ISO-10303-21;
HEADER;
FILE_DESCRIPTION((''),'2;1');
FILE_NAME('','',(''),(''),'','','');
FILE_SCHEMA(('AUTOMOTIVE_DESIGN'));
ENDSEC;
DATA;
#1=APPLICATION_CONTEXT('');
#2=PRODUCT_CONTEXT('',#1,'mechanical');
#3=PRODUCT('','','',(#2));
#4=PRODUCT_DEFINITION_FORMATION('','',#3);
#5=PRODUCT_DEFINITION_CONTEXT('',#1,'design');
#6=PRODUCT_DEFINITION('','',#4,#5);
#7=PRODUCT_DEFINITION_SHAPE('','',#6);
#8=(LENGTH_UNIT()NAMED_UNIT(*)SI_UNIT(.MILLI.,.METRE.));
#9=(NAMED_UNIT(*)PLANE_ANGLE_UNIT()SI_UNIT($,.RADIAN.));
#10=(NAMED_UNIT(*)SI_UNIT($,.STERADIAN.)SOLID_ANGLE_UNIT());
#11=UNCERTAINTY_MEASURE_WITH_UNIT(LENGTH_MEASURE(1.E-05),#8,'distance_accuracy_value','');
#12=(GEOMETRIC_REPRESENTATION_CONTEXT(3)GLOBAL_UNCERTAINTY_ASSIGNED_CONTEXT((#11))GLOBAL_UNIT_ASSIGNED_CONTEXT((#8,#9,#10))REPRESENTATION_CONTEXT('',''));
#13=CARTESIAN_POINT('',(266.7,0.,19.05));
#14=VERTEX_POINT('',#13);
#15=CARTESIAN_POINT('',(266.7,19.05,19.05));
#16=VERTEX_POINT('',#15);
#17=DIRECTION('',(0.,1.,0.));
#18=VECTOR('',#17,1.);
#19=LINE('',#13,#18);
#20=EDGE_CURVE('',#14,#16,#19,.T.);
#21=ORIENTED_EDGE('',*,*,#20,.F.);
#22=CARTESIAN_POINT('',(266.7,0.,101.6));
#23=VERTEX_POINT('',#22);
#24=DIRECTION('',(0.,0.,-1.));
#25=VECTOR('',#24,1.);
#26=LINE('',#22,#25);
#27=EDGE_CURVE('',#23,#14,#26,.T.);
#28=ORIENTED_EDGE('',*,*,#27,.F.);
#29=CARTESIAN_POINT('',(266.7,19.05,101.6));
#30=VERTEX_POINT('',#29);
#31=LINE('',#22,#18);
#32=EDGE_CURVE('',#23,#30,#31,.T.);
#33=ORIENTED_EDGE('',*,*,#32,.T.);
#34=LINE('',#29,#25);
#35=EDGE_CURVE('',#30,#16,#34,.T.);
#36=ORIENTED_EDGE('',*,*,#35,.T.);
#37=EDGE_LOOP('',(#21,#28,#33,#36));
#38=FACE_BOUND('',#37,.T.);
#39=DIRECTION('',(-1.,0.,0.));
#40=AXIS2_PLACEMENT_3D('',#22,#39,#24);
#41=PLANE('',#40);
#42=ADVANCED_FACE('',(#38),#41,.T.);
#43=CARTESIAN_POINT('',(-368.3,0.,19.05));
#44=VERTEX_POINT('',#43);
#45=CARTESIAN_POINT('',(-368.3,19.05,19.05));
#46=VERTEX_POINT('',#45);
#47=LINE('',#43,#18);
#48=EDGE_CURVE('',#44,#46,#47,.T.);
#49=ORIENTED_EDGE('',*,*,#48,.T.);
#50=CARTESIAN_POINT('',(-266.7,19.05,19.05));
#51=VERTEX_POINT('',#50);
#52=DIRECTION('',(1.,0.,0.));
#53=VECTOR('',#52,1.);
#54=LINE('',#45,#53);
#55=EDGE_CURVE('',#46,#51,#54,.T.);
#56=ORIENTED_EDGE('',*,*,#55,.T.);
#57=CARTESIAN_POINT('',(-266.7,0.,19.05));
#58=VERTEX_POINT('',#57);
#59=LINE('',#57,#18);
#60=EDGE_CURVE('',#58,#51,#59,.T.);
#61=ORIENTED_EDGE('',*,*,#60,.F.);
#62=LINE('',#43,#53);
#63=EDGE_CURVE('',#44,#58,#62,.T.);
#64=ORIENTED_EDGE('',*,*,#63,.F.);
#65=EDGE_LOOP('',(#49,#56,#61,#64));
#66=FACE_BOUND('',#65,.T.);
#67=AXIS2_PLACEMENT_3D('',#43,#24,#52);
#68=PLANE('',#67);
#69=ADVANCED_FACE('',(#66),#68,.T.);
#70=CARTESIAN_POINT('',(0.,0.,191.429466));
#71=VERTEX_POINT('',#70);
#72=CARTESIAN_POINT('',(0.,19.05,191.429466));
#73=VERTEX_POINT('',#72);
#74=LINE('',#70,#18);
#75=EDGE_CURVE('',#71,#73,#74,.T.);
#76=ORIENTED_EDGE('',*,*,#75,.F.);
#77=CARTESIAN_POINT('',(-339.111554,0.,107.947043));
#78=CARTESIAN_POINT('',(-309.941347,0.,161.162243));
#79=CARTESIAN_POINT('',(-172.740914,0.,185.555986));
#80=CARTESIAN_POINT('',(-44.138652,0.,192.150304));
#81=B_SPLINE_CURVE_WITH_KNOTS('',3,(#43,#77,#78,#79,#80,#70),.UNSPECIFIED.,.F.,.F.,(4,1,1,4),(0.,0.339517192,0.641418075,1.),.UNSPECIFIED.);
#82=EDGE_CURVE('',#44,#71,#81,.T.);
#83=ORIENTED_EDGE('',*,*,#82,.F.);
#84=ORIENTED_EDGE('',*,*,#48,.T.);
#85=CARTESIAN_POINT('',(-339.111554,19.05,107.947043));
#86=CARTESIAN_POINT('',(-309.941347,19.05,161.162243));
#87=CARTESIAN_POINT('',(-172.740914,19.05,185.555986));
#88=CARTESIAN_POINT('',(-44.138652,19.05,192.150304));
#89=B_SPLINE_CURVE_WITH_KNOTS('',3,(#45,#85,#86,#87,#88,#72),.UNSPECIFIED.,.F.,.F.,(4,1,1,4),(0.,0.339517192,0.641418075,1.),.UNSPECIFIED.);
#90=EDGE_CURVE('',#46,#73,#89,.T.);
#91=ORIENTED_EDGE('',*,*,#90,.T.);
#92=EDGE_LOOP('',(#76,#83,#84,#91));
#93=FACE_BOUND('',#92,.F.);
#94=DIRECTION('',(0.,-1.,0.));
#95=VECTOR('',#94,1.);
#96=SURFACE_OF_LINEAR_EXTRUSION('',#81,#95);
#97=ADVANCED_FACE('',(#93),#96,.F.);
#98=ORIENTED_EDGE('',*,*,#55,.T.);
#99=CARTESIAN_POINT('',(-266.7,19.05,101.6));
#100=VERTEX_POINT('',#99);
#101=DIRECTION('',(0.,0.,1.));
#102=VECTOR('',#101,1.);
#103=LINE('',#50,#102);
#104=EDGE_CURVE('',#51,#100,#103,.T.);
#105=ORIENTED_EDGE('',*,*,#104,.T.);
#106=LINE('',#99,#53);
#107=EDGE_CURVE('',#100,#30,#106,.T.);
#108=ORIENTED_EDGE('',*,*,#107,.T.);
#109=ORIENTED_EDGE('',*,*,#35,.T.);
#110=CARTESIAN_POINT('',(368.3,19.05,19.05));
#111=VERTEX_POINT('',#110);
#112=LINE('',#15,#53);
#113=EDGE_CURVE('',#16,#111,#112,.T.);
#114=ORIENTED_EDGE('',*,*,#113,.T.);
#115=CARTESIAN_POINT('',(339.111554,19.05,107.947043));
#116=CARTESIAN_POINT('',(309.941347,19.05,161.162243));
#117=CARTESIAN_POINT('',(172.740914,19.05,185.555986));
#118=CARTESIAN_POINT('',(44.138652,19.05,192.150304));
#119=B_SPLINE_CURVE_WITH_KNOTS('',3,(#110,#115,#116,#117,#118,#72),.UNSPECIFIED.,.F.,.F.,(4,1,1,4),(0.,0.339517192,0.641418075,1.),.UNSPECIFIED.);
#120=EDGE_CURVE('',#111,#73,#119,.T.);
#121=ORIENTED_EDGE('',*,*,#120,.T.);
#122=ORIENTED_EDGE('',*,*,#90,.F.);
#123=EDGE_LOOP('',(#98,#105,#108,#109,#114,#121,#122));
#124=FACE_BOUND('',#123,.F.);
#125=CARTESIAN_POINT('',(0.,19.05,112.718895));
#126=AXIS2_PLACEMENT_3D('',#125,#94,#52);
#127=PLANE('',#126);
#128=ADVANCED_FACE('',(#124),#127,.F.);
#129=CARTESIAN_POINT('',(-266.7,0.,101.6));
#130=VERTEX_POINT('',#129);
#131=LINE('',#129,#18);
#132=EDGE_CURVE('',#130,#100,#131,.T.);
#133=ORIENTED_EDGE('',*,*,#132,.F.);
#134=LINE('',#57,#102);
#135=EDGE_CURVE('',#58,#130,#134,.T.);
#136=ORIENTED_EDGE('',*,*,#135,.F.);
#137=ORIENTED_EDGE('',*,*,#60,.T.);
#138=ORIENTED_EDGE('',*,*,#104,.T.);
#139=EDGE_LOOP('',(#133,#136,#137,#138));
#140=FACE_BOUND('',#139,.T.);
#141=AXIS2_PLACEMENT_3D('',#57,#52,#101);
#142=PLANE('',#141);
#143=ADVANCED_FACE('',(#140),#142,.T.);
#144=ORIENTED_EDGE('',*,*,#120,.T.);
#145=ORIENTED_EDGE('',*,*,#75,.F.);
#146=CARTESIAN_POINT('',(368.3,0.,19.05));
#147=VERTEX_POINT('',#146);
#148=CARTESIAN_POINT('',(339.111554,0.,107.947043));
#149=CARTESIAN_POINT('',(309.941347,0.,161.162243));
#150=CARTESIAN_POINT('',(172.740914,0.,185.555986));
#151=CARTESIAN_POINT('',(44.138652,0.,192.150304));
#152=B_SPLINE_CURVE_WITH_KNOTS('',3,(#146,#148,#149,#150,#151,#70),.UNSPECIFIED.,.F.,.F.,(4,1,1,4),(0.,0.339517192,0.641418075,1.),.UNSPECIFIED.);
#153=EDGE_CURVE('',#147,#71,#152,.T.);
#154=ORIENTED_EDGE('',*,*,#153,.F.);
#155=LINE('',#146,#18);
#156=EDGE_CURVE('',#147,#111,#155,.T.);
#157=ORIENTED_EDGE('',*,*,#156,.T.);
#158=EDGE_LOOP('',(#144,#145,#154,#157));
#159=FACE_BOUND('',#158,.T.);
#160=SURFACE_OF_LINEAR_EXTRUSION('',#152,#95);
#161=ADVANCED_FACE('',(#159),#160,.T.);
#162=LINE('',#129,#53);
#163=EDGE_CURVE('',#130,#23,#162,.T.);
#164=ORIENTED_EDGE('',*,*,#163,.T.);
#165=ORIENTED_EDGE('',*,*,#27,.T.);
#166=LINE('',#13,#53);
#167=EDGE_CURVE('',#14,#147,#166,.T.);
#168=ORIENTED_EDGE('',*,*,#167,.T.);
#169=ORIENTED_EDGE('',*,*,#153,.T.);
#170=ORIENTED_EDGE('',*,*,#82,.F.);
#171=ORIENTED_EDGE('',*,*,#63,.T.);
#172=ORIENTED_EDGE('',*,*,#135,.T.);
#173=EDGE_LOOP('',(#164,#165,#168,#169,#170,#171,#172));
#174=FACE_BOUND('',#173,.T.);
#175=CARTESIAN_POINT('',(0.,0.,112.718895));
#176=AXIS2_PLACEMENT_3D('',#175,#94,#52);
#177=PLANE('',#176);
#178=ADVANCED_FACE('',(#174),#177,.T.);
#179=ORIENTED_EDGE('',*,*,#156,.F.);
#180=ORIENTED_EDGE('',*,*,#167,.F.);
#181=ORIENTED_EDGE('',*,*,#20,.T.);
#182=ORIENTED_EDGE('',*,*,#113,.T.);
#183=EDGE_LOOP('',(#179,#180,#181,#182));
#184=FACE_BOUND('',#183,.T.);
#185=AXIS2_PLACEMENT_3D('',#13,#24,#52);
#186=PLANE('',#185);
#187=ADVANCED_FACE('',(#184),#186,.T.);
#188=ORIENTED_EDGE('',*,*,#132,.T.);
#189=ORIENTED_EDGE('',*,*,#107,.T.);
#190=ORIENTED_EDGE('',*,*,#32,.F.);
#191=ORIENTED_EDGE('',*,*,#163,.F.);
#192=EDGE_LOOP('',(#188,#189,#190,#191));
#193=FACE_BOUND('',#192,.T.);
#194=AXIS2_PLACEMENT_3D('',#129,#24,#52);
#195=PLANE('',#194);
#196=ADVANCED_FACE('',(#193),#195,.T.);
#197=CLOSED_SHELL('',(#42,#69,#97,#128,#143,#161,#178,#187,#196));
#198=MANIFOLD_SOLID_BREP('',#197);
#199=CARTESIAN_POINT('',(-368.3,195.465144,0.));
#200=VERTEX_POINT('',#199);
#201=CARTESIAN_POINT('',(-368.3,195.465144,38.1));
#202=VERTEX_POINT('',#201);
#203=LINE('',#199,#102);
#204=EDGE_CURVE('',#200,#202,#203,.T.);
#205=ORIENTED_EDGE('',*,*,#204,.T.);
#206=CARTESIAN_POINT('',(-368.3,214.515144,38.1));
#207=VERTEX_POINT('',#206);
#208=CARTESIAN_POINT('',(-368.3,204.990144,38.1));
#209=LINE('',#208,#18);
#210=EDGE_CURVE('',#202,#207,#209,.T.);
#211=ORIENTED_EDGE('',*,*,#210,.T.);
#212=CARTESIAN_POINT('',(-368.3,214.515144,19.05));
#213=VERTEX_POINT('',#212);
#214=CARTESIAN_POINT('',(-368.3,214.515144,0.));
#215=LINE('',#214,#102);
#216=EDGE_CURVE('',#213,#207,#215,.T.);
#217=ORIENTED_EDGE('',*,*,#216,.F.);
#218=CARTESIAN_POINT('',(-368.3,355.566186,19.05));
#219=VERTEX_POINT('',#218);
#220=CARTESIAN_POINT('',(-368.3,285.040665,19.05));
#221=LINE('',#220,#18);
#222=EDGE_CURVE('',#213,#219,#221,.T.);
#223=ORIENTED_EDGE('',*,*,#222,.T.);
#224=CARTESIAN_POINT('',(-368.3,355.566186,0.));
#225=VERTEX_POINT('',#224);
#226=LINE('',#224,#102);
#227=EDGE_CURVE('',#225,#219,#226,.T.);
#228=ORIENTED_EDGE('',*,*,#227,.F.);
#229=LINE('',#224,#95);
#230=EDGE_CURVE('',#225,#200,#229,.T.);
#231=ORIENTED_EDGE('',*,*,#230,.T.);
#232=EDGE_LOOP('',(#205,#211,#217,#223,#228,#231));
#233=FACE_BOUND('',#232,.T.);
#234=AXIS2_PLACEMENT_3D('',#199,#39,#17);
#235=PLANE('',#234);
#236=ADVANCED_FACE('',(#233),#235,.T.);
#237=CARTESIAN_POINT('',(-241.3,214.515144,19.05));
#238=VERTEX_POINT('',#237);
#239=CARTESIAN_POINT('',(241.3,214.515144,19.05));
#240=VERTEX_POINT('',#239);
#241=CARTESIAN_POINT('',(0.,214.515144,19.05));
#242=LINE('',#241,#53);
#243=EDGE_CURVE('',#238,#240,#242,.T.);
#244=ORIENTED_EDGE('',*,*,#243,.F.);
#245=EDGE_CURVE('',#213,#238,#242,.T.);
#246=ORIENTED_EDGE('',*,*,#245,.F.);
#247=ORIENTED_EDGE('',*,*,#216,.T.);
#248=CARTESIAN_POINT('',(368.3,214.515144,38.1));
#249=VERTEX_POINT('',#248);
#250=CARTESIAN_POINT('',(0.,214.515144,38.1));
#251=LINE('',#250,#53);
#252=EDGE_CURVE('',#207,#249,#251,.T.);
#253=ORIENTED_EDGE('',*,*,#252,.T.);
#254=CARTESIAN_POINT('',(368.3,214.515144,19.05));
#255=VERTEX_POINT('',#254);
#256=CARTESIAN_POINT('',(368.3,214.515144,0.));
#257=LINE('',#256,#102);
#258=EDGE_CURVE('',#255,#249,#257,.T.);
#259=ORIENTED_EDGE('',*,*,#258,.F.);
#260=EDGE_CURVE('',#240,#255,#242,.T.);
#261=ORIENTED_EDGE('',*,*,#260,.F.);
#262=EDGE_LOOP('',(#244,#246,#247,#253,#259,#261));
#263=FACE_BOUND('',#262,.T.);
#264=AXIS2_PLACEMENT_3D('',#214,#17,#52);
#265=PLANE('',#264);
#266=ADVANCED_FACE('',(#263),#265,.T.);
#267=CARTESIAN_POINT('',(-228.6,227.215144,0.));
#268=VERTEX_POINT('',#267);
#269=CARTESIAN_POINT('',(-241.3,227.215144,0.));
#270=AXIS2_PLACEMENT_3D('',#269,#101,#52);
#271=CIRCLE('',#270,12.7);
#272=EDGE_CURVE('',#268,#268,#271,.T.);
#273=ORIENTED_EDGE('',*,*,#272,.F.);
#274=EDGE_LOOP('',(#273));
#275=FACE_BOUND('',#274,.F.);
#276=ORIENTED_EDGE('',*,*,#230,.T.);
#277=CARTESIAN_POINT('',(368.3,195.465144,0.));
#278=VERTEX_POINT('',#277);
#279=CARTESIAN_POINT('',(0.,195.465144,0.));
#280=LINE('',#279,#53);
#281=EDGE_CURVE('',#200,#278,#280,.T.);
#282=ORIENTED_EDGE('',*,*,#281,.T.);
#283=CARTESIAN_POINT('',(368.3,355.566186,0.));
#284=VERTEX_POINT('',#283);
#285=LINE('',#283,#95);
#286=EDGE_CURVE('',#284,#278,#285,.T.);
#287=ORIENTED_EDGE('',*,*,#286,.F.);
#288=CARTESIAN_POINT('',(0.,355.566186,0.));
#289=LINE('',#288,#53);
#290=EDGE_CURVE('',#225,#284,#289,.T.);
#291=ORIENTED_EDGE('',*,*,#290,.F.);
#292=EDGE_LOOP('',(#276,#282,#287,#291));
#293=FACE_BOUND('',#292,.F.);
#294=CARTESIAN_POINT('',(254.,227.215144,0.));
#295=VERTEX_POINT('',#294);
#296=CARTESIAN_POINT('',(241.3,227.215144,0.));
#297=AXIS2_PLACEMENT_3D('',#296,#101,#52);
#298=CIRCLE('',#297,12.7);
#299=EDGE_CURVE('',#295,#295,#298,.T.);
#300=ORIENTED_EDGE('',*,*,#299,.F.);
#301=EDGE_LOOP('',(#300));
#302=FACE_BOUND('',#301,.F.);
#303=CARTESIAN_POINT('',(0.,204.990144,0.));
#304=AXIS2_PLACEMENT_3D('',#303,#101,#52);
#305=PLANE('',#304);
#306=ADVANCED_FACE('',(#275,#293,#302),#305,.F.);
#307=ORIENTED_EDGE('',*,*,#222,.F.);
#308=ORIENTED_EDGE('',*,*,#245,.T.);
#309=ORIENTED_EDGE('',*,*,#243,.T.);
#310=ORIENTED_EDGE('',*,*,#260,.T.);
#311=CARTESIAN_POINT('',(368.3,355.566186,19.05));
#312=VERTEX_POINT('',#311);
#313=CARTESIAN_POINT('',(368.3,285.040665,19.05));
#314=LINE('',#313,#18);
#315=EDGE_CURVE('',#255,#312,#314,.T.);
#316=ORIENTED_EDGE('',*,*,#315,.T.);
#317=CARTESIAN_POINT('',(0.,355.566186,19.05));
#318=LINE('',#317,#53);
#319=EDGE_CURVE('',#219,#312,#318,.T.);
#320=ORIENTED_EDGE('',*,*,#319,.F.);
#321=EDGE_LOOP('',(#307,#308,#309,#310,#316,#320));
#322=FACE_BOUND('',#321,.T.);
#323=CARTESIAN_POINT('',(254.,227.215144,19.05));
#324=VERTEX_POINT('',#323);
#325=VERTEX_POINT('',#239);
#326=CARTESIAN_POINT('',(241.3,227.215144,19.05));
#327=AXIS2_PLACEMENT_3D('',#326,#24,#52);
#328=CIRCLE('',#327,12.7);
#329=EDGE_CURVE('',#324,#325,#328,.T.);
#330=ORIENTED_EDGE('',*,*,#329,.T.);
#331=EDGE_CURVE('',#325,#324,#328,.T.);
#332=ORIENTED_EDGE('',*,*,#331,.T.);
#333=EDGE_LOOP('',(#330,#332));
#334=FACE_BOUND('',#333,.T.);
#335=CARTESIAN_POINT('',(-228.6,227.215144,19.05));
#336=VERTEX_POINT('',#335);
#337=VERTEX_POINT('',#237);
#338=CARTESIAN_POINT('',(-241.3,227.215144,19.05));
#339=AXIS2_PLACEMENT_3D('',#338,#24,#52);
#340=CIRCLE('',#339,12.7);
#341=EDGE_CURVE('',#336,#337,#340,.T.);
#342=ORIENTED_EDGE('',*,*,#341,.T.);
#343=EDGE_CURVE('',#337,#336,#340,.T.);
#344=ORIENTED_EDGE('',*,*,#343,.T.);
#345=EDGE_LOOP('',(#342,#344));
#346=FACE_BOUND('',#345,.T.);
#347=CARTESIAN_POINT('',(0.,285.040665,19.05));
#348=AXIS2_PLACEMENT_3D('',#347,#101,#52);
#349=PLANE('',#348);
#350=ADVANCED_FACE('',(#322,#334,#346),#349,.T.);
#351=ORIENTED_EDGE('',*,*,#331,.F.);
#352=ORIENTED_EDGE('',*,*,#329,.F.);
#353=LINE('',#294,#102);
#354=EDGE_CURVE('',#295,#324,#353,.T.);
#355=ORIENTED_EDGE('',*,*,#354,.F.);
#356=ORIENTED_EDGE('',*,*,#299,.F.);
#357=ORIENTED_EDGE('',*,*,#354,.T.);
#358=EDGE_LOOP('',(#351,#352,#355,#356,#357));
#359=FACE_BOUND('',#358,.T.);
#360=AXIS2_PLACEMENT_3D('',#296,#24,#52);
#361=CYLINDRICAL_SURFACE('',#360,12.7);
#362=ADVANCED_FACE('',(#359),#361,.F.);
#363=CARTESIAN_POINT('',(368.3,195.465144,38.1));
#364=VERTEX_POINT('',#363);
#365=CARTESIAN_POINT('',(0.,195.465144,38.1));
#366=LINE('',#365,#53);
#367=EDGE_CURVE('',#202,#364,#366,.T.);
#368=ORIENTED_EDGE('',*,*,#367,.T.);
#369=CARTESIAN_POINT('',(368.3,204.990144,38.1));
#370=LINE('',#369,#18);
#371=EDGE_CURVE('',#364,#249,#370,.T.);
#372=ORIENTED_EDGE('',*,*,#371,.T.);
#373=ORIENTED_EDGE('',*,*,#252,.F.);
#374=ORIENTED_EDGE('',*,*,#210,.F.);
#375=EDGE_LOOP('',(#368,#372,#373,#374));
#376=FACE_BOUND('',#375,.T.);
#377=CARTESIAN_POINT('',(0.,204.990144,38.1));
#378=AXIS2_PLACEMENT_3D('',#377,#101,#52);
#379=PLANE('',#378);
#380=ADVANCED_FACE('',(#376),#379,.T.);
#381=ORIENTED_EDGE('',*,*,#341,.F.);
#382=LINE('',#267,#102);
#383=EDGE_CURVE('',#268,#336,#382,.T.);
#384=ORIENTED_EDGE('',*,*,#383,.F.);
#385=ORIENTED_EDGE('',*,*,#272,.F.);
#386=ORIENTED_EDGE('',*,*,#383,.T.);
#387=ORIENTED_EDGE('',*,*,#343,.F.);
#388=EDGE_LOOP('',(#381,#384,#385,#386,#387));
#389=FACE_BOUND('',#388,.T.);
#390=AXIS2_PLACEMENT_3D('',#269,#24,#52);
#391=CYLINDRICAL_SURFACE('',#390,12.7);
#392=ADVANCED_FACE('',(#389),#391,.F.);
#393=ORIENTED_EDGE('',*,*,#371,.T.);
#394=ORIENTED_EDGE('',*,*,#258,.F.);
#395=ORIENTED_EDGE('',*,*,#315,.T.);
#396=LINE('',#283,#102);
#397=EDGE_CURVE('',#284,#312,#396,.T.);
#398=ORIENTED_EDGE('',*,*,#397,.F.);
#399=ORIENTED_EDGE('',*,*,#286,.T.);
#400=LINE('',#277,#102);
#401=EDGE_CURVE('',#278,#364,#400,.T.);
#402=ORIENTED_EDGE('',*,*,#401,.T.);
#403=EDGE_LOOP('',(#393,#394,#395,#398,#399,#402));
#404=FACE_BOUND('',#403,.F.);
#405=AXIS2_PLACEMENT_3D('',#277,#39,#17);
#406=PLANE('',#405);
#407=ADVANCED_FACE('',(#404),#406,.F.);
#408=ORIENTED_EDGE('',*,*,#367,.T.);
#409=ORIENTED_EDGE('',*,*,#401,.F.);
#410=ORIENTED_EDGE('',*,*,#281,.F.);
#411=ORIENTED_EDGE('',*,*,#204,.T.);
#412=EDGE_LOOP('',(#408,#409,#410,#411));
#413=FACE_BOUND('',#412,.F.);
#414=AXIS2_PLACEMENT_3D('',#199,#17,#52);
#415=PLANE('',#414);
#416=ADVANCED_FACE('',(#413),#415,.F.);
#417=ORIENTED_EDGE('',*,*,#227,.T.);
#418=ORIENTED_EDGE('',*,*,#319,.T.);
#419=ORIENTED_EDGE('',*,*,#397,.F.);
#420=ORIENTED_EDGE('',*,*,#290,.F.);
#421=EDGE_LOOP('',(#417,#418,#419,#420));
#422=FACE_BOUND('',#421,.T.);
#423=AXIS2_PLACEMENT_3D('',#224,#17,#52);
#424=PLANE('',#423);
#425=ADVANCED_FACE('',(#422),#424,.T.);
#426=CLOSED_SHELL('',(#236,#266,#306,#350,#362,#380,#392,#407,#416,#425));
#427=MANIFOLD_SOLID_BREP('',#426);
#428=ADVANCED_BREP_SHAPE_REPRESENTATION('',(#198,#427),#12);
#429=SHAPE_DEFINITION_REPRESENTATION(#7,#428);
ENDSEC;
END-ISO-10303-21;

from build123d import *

# Parameters (mm, degrees)
F0_W     = 736.6
F0_H     = 141.0510414562
F1_DEPTH = 19.05
F2_W     = 736.6
F2_H     = 19.05
F3_DEPTH = 38.1
F4_R     = 12.7
F5_DEPTH = 25.4
F7_DEPTH = 19.05


with BuildPart() as f1:
    # F0 (on Top) → F1 (new body)
    with BuildSketch(Plane.XY):
        with Locations((0, 285.0406648131)):
            Rectangle(F0_W, F0_H)
    extrude(amount=F1_DEPTH)

    # F2 (on Top) → F3 (join)
    with BuildSketch(Plane.XY):
        with Locations((0, 204.9901440851)):
            Rectangle(F2_W, F2_H)
    extrude(amount=F3_DEPTH)

    # F4 (on Top) → F5 (cut)
    with BuildSketch(Plane.XY):
        with Locations((241.3, 227.2151440851)):
            Circle(F4_R)
        with Locations((-241.3, 227.2151440851)):
            Circle(F4_R)
    extrude(amount=F5_DEPTH, mode=Mode.SUBTRACT)


with BuildPart() as f7:
    # F6 (on Front) → F7 (new body)
    with BuildSketch(Plane.XZ):
        with BuildLine():
            Line((266.7, 19.05), (368.3, 19.05))
            add(Edge.make_bspline(
                [(368.3, 19.05), (339.1115538209, 107.947042629), (309.9413467859, 161.162243232), (172.7409144831, 185.5559864442), (44.1386524315, 192.1503037592), (0, 191.4294660091)],
                knots=[0, 0, 0, 0, 0.3395171917, 0.6414180752, 1, 1, 1, 1], degree=3))
            add(Edge.make_bspline(
                [(-368.3, 19.05), (-339.1115538209, 107.947042629), (-309.9413467859, 161.162243232), (-172.7409144831, 185.5559864442), (-44.1386524315, 192.1503037592), (0, 191.4294660091)],
                knots=[0, 0, 0, 0, 0.3395171917, 0.6414180752, 1, 1, 1, 1], degree=3))
            Line((-368.3, 19.05), (-266.7, 19.05))
            Line((-266.7, 19.05), (-266.7, 101.6))
            Line((-266.7, 101.6), (0, 101.6))
            Line((0, 101.6), (266.7, 101.6))
            Line((266.7, 101.6), (266.7, 19.05))
        make_face()
    extrude(amount=-F7_DEPTH)


solid = Compound([f1.part, f7.part])
